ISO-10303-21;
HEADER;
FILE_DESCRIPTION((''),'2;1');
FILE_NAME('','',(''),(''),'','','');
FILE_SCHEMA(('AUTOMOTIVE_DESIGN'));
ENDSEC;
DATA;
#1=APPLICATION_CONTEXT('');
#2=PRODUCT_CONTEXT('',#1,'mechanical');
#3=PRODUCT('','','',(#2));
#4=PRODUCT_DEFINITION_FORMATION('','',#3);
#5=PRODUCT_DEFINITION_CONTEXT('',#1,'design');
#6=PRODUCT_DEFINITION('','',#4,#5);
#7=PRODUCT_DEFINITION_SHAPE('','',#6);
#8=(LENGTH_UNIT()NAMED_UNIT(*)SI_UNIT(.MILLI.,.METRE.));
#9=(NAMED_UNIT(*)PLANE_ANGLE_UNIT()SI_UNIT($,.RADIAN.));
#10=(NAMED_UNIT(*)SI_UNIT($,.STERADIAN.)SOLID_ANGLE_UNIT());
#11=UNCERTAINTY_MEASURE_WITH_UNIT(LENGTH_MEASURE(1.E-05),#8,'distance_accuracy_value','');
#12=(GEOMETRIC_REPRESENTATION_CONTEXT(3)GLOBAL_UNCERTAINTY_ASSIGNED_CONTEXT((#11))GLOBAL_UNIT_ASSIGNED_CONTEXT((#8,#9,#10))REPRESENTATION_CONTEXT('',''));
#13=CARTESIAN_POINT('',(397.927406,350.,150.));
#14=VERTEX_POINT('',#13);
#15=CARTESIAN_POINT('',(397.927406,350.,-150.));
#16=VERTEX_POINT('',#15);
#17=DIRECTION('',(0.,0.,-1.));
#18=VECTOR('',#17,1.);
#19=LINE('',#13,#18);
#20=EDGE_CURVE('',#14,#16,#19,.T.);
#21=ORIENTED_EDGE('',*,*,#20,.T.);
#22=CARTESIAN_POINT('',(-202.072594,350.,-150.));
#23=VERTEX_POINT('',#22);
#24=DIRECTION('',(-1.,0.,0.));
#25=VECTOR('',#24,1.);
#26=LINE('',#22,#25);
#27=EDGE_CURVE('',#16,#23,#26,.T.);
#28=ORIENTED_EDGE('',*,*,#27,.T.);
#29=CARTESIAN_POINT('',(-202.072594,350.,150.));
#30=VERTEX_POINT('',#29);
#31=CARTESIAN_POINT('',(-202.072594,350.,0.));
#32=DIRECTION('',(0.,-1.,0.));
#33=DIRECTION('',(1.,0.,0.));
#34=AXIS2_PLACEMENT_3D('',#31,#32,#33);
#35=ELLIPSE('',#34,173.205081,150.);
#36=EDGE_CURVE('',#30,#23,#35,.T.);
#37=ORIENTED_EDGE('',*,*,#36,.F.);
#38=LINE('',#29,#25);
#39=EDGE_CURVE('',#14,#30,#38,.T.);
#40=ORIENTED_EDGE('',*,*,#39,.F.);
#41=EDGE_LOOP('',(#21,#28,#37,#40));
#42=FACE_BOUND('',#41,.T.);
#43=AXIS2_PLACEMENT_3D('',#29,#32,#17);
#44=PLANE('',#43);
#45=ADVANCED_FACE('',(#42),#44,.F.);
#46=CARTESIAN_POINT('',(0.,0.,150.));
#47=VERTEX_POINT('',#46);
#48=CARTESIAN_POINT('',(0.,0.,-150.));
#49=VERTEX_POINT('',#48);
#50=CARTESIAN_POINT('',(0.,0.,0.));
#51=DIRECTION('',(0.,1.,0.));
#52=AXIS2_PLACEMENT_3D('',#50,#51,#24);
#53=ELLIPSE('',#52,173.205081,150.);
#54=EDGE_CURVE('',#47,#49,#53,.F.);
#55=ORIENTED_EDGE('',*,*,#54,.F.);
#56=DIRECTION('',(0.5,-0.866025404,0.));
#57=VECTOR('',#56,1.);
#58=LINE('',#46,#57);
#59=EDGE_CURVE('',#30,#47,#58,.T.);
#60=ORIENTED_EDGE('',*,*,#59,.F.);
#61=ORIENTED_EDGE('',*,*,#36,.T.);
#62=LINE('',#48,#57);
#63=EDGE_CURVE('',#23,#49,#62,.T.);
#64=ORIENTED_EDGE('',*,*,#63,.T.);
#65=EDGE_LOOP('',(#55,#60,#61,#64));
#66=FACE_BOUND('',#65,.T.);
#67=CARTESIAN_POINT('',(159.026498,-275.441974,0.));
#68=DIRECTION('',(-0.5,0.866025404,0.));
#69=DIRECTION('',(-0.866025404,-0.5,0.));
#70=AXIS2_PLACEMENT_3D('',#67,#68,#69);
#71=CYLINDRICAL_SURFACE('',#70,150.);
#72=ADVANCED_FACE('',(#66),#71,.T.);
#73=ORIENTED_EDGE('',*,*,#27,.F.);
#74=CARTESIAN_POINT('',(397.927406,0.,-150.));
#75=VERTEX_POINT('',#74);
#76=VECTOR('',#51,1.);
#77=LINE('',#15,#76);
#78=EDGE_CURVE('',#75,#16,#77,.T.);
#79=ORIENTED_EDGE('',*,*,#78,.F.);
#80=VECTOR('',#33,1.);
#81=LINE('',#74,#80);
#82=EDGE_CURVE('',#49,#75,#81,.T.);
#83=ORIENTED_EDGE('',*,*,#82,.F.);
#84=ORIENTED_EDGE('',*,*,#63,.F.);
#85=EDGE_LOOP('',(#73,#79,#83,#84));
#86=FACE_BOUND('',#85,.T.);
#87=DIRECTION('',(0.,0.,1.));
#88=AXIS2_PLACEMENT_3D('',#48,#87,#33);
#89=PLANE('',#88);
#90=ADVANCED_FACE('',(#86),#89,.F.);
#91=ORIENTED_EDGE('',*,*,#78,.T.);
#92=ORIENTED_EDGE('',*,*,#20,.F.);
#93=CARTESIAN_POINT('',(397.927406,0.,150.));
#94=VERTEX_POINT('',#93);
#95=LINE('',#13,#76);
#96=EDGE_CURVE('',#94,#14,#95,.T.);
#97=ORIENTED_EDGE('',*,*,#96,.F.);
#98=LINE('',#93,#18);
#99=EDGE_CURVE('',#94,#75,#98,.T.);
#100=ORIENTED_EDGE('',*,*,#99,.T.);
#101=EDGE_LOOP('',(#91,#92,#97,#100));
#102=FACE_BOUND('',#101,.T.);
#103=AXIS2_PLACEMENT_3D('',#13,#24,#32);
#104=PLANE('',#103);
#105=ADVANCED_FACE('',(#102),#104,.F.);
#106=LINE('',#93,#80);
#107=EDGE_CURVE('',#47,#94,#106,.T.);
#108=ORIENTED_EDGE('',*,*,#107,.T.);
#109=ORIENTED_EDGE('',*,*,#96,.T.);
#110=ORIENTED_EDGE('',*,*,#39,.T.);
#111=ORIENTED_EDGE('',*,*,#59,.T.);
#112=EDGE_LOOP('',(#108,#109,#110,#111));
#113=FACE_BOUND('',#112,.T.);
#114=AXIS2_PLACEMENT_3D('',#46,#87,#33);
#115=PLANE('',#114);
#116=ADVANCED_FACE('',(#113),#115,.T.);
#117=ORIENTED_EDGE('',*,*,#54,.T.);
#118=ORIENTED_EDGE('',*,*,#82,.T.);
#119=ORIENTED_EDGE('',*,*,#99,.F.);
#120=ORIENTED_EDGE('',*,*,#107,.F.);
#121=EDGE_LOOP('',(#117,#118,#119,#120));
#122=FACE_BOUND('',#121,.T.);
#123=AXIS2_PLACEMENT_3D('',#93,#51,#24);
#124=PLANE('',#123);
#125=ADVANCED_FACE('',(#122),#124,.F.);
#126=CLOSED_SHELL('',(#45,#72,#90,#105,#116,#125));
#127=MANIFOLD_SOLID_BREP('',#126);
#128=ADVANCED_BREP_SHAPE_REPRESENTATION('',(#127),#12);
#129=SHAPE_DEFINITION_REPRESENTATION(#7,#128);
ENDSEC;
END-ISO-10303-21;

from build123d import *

# Parameters (mm, degrees)
AUFSATZ_LINEAR_AUSTRAGEN1_DEPTH             = 150
AUFSATZ_LINEAR_AUSTRAGEN2_REACH             = 712.634
AUFSATZ_LINEAR_AUSTRAGEN2_DIRECTION_2_REACH = 712.634


with BuildPart() as part:
    # Skizze1 → Aufsatz-Linear austragen1 (new, symmetric)
    with BuildSketch(Plane.XY):
        Polygon((0, 0), (-202.072594216, 350), (397.927405784, 350), (397.927405784, 0), align=None)
    extrude(amount=AUFSATZ_LINEAR_AUSTRAGEN1_DEPTH, both=True)

    # Aufsatz-Linear austragen2: up to this face of the body (flat: up to its plane)
    aufsatz_linear_austragen2_end = Plane(part.part.faces().sort_by_distance((198.963702892, 0, 0))[0])
    # Skizze3 → Aufsatz-Linear austragen2 (add, up to the picked face)
    with BuildSketch(Plane(origin=(-202.072594216, 350, 0), x_dir=(0, 0, -1), z_dir=(-0.4999999999999981, 0.8660254037844398, 0)), mode=Mode.PRIVATE) as aufsatz_linear_austragen2_sk1:
        with BuildLine():
            Line((150, 0), (-150, 0))
            ThreePointArc((-150, 0), (0, 150), (150, 0))
        make_face()
    aufsatz_linear_austragen2_tool1 = split(extrude(aufsatz_linear_austragen2_sk1.sketch, amount=-AUFSATZ_LINEAR_AUSTRAGEN2_REACH, mode=Mode.PRIVATE), bisect_by=aufsatz_linear_austragen2_end, keep=Keep.BOTH, mode=Mode.PRIVATE)
    add(aufsatz_linear_austragen2_tool1.solids().sort_by(Axis((-257.205484, 318.169011, 0), (0.4999999999999981, -0.8660254037844398, 0)))[0])

    # Aufsatz-Linear austragen2 direction 2: up to this face of the body (flat: up to its plane)
    aufsatz_linear_austragen2_direction_2_end = Plane(part.part.faces().sort_by_distance((97.927405784, 350, 0))[0])
    # Skizze3 → Aufsatz-Linear austragen2 direction 2 (add, up to the picked face)
    with BuildSketch(Plane(origin=(-202.072594216, 350, 0), x_dir=(0, 0, -1), z_dir=(-0.4999999999999981, 0.8660254037844398, 0)), mode=Mode.PRIVATE) as aufsatz_linear_austragen2_direction_2_sk1:
        with BuildLine():
            Line((150, 0), (-150, 0))
            ThreePointArc((-150, 0), (0, 150), (150, 0))
        make_face()
    aufsatz_linear_austragen2_direction_2_tool1 = split(extrude(aufsatz_linear_austragen2_direction_2_sk1.sketch, amount=AUFSATZ_LINEAR_AUSTRAGEN2_DIRECTION_2_REACH, mode=Mode.PRIVATE), bisect_by=aufsatz_linear_austragen2_direction_2_end, keep=Keep.BOTH, mode=Mode.PRIVATE)
    add(aufsatz_linear_austragen2_direction_2_tool1.solids().sort_by(Axis((-257.205484, 318.169011, 0), (-0.4999999999999981, 0.8660254037844398, 0)))[0])


solid = part.part
